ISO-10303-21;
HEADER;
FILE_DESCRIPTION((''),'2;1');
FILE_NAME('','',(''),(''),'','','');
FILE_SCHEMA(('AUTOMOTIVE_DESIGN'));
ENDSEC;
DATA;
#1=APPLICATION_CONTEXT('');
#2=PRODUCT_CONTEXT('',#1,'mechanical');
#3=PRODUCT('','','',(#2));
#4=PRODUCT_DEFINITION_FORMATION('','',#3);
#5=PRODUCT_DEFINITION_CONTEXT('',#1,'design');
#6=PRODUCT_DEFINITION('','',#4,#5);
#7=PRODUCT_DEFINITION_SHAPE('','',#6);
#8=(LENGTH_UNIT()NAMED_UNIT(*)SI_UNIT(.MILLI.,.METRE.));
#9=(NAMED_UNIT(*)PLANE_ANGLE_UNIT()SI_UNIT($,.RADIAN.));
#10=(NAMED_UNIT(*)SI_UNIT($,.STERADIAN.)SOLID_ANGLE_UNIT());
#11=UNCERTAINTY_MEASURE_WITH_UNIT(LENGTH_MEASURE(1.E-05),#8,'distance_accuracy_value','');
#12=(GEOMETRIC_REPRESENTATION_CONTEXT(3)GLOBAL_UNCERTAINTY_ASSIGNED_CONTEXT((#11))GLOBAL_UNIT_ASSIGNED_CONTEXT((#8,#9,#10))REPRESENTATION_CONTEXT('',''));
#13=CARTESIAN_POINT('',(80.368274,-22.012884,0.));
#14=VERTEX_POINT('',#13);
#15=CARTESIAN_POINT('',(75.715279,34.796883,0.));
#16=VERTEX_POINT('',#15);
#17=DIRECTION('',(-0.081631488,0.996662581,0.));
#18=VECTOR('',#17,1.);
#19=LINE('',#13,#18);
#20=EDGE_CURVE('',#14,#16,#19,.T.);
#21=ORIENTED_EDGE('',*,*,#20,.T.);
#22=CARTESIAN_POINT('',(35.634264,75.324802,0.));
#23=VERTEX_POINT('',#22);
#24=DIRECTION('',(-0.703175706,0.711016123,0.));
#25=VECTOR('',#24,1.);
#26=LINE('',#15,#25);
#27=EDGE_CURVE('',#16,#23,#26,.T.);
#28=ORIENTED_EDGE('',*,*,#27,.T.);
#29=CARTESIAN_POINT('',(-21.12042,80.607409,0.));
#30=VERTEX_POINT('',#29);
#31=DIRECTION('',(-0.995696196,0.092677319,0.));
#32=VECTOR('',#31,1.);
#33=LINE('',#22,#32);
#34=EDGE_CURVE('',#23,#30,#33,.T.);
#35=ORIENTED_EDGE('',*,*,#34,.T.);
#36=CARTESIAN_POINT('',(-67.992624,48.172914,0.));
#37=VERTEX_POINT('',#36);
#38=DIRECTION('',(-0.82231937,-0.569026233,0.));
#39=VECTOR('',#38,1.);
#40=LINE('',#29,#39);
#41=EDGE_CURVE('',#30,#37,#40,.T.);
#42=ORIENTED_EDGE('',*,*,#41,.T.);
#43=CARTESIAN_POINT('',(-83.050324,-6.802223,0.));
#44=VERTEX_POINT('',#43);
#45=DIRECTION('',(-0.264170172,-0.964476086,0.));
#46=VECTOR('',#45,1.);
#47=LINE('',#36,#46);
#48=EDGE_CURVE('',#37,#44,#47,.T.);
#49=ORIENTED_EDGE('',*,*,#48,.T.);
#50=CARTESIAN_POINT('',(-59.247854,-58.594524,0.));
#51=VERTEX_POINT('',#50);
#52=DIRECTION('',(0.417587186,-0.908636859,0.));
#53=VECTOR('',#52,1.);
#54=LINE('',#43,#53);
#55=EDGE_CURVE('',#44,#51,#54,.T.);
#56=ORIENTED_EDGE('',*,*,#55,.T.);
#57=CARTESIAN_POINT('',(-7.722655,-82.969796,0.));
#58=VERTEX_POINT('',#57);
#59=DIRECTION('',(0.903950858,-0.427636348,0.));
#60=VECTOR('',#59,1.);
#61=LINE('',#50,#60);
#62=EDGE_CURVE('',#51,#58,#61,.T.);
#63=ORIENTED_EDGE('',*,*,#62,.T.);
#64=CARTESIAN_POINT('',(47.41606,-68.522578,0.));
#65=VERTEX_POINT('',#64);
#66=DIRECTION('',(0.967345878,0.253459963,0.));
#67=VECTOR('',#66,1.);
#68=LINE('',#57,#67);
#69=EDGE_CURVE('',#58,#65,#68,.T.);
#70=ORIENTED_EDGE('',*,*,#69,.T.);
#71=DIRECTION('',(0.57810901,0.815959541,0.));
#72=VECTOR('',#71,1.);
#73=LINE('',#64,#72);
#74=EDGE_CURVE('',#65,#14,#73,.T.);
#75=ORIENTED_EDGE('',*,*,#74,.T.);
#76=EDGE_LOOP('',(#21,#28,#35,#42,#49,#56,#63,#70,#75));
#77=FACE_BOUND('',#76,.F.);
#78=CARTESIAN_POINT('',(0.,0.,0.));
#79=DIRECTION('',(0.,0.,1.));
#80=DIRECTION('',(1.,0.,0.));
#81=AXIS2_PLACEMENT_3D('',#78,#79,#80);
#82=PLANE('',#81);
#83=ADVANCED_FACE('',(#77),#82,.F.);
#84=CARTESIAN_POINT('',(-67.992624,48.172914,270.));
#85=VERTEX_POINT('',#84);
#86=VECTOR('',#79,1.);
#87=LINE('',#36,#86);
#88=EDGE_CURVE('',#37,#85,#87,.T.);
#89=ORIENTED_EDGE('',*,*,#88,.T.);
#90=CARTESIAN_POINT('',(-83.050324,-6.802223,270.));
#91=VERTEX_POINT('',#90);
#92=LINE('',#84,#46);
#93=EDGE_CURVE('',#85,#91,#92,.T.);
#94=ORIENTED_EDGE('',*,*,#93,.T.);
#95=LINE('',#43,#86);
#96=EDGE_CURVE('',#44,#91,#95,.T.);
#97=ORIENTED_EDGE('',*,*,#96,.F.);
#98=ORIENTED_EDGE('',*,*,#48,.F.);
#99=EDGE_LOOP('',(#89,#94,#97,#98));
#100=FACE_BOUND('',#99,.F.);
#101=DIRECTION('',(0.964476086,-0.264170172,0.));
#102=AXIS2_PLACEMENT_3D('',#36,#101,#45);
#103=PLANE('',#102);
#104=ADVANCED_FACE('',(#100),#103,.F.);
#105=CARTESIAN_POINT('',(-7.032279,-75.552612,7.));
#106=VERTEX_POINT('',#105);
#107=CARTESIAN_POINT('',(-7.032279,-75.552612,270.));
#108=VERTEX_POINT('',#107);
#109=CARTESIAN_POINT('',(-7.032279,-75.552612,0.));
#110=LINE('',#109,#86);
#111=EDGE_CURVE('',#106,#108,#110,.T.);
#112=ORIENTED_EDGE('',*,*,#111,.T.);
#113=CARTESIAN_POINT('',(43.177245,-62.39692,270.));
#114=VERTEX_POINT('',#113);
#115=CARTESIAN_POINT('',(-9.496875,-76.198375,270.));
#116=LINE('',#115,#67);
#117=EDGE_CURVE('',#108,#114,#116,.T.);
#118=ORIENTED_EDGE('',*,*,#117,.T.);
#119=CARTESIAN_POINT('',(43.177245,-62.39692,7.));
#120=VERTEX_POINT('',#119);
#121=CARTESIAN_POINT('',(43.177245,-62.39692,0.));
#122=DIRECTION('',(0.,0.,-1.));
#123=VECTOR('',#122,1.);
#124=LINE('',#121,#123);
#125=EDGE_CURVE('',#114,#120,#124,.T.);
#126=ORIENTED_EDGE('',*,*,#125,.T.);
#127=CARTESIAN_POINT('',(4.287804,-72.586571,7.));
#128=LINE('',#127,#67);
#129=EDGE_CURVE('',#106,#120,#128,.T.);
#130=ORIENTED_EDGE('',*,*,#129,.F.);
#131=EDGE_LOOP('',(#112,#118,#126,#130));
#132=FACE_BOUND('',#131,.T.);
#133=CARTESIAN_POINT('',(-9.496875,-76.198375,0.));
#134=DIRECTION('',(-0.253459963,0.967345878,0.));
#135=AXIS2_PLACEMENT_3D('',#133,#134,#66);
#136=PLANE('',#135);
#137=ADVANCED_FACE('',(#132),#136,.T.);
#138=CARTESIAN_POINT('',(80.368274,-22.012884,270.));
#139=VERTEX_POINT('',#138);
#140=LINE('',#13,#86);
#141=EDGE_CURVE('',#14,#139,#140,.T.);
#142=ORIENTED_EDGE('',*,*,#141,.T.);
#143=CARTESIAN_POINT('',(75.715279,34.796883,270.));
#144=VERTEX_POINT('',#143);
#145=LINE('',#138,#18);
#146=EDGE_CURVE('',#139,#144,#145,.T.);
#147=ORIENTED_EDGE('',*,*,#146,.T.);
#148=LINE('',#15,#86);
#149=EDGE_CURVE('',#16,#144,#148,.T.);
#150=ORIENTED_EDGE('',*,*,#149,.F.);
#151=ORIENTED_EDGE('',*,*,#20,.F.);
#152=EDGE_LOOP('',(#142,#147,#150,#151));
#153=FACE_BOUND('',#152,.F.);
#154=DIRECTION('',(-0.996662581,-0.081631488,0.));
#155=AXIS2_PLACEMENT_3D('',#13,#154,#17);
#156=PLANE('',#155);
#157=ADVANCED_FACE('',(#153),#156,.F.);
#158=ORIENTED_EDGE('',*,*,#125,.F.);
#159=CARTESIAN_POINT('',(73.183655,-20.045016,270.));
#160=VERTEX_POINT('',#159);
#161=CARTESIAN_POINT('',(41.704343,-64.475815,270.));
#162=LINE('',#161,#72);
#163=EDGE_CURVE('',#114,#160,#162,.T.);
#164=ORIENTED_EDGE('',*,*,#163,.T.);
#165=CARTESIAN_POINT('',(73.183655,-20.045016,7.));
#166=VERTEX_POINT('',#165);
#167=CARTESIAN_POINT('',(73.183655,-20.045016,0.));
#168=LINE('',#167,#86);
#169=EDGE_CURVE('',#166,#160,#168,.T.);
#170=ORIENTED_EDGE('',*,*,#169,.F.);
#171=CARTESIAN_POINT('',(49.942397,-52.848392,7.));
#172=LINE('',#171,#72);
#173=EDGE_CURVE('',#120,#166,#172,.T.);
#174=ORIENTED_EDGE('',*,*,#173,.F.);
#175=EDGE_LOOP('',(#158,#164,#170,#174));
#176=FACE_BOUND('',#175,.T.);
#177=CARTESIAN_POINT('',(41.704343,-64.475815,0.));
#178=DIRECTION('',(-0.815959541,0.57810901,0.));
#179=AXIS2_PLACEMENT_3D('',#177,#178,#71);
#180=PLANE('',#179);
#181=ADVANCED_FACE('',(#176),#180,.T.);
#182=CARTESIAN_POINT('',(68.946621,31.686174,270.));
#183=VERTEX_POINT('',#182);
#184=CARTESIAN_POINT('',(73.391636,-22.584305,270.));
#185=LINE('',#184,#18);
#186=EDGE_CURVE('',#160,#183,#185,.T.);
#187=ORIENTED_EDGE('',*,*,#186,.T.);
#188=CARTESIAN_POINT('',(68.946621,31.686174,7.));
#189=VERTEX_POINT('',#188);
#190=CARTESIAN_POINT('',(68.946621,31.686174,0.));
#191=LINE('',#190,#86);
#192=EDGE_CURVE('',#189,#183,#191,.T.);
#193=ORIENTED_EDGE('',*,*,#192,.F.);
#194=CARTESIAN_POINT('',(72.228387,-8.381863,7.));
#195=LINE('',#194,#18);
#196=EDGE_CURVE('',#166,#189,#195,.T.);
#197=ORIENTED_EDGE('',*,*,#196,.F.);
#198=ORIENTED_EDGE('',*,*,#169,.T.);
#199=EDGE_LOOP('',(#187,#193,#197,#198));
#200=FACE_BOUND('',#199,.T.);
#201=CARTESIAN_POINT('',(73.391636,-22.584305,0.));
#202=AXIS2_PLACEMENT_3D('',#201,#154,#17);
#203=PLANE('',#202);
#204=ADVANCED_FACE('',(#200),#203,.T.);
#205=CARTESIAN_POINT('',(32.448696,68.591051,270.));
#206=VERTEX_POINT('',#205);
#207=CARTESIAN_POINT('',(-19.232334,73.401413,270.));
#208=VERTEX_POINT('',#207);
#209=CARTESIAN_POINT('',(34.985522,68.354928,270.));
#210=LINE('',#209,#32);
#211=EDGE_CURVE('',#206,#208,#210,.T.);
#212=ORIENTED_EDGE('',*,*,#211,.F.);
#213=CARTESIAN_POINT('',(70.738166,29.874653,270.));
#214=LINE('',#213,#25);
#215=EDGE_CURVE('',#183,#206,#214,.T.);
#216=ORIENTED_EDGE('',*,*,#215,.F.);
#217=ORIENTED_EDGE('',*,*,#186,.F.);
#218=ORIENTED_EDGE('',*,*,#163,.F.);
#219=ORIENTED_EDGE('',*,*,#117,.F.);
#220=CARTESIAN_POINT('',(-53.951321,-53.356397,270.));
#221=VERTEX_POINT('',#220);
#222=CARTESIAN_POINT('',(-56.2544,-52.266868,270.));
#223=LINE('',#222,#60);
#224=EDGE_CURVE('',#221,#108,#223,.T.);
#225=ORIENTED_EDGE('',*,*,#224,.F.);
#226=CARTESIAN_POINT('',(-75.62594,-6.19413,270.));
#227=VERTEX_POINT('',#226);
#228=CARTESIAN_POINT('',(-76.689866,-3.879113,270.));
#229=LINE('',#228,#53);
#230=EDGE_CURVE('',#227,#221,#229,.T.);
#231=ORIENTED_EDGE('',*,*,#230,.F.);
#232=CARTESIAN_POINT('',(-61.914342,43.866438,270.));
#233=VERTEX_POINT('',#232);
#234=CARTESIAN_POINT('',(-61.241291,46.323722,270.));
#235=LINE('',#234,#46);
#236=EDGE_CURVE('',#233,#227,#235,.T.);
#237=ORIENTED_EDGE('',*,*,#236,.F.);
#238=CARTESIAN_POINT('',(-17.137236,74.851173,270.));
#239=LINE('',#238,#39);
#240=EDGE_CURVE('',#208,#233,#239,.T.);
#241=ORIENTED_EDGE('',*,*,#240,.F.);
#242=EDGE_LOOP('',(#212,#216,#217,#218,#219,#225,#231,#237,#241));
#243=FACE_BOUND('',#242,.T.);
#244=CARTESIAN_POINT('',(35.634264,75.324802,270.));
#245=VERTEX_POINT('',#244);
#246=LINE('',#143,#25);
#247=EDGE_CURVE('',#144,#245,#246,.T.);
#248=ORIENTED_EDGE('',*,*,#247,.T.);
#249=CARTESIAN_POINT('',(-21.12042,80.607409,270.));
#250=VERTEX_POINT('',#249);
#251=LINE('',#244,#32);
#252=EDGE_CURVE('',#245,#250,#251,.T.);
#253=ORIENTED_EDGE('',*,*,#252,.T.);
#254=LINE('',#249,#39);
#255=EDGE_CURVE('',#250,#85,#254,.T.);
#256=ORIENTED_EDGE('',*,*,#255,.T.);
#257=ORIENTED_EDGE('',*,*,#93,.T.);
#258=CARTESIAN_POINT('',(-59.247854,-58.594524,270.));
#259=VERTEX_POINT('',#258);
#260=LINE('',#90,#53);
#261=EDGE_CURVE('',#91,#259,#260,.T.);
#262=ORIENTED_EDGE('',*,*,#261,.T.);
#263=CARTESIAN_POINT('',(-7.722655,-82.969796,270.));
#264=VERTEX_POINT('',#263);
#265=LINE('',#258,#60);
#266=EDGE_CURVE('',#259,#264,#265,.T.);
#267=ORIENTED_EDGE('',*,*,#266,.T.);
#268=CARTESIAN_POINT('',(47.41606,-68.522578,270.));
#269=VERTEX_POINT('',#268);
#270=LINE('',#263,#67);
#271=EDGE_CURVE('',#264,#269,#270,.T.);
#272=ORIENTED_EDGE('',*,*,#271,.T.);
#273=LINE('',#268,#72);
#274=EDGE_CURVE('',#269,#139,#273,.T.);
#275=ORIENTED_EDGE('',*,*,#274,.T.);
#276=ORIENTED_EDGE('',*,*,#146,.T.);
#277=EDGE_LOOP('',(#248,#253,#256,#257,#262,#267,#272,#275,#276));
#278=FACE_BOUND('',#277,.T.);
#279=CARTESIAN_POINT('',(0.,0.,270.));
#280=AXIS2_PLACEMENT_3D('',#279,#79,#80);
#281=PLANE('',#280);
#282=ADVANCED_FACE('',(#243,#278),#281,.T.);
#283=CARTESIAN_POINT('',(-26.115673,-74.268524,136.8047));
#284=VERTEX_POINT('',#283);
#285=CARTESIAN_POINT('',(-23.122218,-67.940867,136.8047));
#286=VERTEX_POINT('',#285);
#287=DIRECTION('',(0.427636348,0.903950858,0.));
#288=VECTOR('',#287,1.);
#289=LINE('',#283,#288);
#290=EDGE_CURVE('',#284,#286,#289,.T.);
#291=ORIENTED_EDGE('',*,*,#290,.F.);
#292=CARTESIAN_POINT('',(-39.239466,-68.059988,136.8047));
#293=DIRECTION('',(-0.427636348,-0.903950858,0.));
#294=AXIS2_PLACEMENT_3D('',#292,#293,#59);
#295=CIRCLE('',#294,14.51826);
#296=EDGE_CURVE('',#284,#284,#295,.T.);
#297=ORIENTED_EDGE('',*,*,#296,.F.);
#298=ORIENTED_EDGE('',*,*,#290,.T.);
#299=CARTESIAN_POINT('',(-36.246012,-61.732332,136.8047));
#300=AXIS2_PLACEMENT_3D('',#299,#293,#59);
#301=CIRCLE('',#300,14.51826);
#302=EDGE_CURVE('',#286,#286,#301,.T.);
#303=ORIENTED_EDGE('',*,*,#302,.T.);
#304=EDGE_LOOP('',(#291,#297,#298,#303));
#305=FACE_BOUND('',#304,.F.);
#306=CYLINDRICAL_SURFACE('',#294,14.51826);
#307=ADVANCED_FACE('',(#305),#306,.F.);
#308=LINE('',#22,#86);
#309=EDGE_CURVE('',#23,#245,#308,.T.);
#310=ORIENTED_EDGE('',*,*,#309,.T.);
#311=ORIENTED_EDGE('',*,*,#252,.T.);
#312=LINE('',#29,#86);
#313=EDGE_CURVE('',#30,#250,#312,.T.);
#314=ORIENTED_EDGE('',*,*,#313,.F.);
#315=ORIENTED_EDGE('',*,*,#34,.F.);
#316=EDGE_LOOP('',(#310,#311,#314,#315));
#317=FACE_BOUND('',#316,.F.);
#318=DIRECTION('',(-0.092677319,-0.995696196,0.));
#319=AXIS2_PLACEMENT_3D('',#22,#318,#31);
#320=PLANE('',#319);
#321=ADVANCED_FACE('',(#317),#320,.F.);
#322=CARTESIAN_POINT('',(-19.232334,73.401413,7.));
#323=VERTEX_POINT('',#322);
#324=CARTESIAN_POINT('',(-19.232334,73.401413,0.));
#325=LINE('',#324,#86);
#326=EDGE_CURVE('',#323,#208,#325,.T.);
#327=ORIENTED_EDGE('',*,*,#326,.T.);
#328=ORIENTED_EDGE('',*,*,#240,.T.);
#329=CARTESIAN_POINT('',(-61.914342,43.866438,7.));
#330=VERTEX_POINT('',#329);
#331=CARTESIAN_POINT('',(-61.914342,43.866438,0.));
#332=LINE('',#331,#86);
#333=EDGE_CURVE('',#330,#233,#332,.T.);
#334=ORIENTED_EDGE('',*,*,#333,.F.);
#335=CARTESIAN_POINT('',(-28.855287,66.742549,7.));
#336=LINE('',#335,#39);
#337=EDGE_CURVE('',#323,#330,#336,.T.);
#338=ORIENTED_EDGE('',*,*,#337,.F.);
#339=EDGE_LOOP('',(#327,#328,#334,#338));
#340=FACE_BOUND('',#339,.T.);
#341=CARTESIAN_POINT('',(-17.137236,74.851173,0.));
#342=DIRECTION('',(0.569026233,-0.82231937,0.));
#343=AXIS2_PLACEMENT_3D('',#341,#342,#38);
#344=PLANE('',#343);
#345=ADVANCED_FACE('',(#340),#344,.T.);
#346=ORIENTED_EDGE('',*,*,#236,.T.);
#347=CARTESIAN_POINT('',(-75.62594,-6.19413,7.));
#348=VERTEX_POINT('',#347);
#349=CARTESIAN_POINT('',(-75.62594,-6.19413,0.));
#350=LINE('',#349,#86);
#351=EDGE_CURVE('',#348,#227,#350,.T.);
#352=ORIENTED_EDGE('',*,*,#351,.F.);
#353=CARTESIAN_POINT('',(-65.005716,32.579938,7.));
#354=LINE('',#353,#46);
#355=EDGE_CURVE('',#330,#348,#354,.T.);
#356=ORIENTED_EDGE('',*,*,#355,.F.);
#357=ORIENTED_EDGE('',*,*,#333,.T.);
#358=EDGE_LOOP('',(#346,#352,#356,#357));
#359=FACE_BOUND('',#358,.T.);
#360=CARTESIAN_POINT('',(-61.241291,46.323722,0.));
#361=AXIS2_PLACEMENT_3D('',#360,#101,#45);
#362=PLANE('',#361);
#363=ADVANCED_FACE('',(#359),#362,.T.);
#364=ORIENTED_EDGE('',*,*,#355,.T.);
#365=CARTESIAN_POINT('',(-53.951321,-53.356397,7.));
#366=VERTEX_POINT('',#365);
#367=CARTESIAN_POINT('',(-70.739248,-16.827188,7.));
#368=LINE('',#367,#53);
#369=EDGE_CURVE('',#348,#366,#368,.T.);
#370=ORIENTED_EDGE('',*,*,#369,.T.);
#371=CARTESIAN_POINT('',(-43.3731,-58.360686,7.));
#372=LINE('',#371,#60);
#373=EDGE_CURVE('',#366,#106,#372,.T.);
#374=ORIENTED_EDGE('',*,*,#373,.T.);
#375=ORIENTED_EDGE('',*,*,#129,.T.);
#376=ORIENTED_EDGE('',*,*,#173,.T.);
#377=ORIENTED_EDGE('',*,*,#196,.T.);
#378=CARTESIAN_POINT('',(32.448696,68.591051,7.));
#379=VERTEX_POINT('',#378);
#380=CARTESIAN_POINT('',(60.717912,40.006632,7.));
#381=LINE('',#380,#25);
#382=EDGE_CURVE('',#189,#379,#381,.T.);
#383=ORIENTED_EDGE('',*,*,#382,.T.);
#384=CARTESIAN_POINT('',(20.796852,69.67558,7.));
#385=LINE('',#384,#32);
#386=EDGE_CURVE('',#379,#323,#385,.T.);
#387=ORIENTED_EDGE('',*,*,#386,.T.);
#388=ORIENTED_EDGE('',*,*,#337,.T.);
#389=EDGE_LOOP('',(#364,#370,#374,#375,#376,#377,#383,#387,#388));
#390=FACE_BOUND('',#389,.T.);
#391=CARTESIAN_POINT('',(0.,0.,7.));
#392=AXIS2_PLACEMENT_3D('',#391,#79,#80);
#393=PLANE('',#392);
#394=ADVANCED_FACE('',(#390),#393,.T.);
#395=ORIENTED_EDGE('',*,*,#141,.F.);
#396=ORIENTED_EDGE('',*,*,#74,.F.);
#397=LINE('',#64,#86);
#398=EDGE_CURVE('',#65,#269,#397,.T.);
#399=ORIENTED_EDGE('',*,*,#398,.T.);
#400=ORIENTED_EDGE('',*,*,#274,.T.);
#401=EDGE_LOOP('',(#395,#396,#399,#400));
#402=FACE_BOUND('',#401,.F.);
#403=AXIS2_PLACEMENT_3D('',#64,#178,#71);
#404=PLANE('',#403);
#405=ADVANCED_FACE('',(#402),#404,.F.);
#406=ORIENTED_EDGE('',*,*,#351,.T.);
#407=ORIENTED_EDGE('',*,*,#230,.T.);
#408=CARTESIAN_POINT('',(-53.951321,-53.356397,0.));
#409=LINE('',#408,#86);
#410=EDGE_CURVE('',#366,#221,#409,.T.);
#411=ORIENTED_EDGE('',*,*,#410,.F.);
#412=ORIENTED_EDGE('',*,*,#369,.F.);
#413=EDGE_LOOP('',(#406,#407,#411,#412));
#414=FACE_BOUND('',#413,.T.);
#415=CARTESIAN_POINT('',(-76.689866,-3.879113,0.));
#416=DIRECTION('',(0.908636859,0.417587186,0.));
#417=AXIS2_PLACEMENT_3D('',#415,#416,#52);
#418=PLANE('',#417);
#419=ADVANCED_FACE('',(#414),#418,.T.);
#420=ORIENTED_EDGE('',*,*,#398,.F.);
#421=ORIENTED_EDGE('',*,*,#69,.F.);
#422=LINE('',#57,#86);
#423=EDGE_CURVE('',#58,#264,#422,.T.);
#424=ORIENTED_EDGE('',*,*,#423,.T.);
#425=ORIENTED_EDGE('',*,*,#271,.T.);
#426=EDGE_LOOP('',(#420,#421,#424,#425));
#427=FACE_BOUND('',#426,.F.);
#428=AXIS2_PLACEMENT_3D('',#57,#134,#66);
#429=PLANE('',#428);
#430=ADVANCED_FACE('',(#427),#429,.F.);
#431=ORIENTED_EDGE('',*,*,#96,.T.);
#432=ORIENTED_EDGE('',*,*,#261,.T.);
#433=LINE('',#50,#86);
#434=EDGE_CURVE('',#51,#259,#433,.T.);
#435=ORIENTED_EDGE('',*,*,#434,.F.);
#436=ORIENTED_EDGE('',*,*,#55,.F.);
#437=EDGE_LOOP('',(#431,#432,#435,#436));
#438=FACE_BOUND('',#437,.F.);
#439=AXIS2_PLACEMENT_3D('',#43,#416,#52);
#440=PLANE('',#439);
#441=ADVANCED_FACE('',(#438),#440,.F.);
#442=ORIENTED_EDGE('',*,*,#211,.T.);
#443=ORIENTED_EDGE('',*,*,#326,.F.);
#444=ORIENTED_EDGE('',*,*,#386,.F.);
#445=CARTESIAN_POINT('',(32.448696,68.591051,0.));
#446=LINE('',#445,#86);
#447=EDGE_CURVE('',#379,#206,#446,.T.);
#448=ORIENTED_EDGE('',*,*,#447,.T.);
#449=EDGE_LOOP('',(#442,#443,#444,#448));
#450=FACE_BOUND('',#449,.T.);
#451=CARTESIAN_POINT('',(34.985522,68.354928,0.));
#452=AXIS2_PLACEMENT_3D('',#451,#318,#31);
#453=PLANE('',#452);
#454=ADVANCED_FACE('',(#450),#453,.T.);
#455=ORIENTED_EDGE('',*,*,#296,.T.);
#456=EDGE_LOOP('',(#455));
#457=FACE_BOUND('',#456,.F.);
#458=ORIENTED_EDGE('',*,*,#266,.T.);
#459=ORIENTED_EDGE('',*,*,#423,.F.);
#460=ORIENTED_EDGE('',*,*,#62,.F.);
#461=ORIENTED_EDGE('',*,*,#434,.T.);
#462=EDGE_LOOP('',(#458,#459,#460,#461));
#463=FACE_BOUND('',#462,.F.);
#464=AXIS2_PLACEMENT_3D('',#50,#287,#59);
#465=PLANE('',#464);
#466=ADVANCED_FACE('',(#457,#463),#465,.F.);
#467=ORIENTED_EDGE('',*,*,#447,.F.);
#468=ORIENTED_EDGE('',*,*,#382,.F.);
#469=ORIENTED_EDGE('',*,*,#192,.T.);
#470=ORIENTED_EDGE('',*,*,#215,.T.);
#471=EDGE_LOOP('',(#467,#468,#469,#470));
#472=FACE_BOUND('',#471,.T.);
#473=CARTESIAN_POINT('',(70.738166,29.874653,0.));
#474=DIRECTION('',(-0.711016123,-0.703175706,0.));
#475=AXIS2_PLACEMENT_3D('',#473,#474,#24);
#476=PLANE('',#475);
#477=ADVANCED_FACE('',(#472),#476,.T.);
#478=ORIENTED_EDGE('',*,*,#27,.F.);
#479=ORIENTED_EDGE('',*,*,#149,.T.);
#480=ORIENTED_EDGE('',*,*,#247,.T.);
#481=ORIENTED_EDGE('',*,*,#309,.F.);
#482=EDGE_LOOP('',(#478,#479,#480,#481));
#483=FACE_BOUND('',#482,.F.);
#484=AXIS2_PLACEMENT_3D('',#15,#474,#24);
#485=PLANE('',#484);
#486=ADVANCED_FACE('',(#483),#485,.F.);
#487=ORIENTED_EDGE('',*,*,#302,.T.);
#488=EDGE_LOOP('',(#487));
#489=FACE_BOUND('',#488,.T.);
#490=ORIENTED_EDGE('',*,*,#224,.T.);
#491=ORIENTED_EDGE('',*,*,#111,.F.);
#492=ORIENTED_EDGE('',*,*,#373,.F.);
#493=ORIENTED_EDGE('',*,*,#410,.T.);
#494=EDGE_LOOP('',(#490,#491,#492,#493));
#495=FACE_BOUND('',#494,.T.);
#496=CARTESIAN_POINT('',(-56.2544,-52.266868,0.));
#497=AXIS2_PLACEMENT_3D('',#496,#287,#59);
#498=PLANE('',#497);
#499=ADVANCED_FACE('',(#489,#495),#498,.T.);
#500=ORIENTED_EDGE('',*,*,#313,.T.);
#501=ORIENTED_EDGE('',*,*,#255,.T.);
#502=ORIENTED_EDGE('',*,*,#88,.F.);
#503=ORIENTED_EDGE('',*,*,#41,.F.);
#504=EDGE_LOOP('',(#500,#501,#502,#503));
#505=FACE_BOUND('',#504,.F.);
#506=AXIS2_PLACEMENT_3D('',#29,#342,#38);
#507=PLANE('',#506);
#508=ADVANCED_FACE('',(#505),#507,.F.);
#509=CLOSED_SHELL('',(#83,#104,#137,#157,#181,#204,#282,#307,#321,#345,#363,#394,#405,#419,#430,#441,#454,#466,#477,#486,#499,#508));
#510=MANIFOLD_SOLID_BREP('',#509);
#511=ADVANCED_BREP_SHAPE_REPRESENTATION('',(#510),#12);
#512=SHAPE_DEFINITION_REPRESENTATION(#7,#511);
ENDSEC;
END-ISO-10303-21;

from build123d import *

# Parameters (mm, degrees)
F1_DEPTH = 270
F2_T     = -7
F3_R     = 14.5182596714
F4_DEPTH = 25


with BuildPart() as f1:
    # F0 (on Top) → F1 (new body)
    with BuildSketch(Plane.XY):
        Polygon((47.4160599989, -68.5225782833), (80.3682735811, -22.0128844547), (75.7152787608, 34.7968826563), (35.6342635267, 75.3248016481), (-21.1204196422, 80.6074088069), (-67.9926237332, 48.1729135333), (-83.0503235256, -6.8022233647), (-59.2478539389, -58.5945243522), (-7.7226550276, -82.9697961896), align=None)
    extrude(amount=F1_DEPTH)

    # F2
    f2_openings = [f1.faces().sort_by_distance(p)[0] for p in [
        (0, 0, 270),
    ]]
    offset(amount=F2_T, openings=f2_openings)

    # F3 (on face) → F4 (cut)
    with BuildSketch(Plane(origin=(-33.4852544832, -70.7821602709, 0), x_dir=(0.9039508581, -0.427636348, 0), z_dir=(-0.427636348, -0.9039508581, 0))):
        with Locations((-6.3656242564, 136.8046998978)):
            Circle(F3_R)
    extrude(amount=-F4_DEPTH, mode=Mode.SUBTRACT)


solid = f1.part
